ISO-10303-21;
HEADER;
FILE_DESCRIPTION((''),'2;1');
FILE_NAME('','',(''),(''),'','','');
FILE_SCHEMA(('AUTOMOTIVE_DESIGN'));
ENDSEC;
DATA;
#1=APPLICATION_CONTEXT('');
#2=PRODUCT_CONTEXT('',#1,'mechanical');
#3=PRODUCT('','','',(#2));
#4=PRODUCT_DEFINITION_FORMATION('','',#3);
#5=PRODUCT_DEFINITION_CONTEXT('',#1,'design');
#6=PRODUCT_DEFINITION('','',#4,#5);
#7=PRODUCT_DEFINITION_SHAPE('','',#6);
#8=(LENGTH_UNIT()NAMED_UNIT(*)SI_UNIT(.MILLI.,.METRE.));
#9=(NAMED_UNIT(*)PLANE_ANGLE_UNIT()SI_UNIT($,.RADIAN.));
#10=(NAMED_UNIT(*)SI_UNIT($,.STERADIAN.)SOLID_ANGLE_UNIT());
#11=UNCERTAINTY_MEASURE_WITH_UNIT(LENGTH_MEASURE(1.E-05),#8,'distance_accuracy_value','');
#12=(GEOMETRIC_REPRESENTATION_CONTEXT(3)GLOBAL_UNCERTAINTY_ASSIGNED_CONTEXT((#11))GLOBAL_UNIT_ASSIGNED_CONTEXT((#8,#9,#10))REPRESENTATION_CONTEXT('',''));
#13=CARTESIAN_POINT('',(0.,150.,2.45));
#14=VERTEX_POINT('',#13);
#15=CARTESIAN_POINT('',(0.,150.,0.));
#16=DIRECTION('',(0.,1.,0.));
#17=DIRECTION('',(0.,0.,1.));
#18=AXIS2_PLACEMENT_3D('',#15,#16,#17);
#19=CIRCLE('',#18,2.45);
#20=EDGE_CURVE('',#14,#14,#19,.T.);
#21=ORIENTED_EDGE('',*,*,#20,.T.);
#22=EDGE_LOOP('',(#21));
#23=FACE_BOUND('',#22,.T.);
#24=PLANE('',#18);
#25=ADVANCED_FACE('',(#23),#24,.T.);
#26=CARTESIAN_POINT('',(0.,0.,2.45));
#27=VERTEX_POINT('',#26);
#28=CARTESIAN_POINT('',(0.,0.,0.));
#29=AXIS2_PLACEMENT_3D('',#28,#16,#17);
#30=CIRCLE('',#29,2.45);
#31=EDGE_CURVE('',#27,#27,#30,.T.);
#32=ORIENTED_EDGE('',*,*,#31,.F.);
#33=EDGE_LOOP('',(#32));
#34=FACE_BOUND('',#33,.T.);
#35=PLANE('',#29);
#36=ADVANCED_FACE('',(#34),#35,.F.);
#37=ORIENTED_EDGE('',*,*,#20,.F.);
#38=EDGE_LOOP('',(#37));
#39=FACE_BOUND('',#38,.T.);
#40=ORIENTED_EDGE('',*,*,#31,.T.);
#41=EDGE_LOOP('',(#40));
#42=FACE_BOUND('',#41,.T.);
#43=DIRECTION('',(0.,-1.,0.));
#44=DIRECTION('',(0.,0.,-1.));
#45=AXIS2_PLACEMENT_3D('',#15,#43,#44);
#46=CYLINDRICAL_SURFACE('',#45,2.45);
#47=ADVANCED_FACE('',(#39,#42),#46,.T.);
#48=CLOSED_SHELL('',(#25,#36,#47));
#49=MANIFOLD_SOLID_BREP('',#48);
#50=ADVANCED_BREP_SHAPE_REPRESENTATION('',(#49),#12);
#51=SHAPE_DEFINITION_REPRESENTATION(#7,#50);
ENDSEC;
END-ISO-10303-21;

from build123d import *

# Parameters (mm, degrees)
ESBO_O1_R                = 2.45
RESSALTO_EXTRUS_O1_DEPTH = 150


with BuildPart() as part:
    # Esboço1 → Ressalto-extrusão1 (new body)
    with BuildSketch(Plane(origin=(0, 0, 0), x_dir=(1, 0, 0), z_dir=(0, 1, 0))):
        Circle(ESBO_O1_R)
    extrude(amount=RESSALTO_EXTRUS_O1_DEPTH)


solid = part.part
